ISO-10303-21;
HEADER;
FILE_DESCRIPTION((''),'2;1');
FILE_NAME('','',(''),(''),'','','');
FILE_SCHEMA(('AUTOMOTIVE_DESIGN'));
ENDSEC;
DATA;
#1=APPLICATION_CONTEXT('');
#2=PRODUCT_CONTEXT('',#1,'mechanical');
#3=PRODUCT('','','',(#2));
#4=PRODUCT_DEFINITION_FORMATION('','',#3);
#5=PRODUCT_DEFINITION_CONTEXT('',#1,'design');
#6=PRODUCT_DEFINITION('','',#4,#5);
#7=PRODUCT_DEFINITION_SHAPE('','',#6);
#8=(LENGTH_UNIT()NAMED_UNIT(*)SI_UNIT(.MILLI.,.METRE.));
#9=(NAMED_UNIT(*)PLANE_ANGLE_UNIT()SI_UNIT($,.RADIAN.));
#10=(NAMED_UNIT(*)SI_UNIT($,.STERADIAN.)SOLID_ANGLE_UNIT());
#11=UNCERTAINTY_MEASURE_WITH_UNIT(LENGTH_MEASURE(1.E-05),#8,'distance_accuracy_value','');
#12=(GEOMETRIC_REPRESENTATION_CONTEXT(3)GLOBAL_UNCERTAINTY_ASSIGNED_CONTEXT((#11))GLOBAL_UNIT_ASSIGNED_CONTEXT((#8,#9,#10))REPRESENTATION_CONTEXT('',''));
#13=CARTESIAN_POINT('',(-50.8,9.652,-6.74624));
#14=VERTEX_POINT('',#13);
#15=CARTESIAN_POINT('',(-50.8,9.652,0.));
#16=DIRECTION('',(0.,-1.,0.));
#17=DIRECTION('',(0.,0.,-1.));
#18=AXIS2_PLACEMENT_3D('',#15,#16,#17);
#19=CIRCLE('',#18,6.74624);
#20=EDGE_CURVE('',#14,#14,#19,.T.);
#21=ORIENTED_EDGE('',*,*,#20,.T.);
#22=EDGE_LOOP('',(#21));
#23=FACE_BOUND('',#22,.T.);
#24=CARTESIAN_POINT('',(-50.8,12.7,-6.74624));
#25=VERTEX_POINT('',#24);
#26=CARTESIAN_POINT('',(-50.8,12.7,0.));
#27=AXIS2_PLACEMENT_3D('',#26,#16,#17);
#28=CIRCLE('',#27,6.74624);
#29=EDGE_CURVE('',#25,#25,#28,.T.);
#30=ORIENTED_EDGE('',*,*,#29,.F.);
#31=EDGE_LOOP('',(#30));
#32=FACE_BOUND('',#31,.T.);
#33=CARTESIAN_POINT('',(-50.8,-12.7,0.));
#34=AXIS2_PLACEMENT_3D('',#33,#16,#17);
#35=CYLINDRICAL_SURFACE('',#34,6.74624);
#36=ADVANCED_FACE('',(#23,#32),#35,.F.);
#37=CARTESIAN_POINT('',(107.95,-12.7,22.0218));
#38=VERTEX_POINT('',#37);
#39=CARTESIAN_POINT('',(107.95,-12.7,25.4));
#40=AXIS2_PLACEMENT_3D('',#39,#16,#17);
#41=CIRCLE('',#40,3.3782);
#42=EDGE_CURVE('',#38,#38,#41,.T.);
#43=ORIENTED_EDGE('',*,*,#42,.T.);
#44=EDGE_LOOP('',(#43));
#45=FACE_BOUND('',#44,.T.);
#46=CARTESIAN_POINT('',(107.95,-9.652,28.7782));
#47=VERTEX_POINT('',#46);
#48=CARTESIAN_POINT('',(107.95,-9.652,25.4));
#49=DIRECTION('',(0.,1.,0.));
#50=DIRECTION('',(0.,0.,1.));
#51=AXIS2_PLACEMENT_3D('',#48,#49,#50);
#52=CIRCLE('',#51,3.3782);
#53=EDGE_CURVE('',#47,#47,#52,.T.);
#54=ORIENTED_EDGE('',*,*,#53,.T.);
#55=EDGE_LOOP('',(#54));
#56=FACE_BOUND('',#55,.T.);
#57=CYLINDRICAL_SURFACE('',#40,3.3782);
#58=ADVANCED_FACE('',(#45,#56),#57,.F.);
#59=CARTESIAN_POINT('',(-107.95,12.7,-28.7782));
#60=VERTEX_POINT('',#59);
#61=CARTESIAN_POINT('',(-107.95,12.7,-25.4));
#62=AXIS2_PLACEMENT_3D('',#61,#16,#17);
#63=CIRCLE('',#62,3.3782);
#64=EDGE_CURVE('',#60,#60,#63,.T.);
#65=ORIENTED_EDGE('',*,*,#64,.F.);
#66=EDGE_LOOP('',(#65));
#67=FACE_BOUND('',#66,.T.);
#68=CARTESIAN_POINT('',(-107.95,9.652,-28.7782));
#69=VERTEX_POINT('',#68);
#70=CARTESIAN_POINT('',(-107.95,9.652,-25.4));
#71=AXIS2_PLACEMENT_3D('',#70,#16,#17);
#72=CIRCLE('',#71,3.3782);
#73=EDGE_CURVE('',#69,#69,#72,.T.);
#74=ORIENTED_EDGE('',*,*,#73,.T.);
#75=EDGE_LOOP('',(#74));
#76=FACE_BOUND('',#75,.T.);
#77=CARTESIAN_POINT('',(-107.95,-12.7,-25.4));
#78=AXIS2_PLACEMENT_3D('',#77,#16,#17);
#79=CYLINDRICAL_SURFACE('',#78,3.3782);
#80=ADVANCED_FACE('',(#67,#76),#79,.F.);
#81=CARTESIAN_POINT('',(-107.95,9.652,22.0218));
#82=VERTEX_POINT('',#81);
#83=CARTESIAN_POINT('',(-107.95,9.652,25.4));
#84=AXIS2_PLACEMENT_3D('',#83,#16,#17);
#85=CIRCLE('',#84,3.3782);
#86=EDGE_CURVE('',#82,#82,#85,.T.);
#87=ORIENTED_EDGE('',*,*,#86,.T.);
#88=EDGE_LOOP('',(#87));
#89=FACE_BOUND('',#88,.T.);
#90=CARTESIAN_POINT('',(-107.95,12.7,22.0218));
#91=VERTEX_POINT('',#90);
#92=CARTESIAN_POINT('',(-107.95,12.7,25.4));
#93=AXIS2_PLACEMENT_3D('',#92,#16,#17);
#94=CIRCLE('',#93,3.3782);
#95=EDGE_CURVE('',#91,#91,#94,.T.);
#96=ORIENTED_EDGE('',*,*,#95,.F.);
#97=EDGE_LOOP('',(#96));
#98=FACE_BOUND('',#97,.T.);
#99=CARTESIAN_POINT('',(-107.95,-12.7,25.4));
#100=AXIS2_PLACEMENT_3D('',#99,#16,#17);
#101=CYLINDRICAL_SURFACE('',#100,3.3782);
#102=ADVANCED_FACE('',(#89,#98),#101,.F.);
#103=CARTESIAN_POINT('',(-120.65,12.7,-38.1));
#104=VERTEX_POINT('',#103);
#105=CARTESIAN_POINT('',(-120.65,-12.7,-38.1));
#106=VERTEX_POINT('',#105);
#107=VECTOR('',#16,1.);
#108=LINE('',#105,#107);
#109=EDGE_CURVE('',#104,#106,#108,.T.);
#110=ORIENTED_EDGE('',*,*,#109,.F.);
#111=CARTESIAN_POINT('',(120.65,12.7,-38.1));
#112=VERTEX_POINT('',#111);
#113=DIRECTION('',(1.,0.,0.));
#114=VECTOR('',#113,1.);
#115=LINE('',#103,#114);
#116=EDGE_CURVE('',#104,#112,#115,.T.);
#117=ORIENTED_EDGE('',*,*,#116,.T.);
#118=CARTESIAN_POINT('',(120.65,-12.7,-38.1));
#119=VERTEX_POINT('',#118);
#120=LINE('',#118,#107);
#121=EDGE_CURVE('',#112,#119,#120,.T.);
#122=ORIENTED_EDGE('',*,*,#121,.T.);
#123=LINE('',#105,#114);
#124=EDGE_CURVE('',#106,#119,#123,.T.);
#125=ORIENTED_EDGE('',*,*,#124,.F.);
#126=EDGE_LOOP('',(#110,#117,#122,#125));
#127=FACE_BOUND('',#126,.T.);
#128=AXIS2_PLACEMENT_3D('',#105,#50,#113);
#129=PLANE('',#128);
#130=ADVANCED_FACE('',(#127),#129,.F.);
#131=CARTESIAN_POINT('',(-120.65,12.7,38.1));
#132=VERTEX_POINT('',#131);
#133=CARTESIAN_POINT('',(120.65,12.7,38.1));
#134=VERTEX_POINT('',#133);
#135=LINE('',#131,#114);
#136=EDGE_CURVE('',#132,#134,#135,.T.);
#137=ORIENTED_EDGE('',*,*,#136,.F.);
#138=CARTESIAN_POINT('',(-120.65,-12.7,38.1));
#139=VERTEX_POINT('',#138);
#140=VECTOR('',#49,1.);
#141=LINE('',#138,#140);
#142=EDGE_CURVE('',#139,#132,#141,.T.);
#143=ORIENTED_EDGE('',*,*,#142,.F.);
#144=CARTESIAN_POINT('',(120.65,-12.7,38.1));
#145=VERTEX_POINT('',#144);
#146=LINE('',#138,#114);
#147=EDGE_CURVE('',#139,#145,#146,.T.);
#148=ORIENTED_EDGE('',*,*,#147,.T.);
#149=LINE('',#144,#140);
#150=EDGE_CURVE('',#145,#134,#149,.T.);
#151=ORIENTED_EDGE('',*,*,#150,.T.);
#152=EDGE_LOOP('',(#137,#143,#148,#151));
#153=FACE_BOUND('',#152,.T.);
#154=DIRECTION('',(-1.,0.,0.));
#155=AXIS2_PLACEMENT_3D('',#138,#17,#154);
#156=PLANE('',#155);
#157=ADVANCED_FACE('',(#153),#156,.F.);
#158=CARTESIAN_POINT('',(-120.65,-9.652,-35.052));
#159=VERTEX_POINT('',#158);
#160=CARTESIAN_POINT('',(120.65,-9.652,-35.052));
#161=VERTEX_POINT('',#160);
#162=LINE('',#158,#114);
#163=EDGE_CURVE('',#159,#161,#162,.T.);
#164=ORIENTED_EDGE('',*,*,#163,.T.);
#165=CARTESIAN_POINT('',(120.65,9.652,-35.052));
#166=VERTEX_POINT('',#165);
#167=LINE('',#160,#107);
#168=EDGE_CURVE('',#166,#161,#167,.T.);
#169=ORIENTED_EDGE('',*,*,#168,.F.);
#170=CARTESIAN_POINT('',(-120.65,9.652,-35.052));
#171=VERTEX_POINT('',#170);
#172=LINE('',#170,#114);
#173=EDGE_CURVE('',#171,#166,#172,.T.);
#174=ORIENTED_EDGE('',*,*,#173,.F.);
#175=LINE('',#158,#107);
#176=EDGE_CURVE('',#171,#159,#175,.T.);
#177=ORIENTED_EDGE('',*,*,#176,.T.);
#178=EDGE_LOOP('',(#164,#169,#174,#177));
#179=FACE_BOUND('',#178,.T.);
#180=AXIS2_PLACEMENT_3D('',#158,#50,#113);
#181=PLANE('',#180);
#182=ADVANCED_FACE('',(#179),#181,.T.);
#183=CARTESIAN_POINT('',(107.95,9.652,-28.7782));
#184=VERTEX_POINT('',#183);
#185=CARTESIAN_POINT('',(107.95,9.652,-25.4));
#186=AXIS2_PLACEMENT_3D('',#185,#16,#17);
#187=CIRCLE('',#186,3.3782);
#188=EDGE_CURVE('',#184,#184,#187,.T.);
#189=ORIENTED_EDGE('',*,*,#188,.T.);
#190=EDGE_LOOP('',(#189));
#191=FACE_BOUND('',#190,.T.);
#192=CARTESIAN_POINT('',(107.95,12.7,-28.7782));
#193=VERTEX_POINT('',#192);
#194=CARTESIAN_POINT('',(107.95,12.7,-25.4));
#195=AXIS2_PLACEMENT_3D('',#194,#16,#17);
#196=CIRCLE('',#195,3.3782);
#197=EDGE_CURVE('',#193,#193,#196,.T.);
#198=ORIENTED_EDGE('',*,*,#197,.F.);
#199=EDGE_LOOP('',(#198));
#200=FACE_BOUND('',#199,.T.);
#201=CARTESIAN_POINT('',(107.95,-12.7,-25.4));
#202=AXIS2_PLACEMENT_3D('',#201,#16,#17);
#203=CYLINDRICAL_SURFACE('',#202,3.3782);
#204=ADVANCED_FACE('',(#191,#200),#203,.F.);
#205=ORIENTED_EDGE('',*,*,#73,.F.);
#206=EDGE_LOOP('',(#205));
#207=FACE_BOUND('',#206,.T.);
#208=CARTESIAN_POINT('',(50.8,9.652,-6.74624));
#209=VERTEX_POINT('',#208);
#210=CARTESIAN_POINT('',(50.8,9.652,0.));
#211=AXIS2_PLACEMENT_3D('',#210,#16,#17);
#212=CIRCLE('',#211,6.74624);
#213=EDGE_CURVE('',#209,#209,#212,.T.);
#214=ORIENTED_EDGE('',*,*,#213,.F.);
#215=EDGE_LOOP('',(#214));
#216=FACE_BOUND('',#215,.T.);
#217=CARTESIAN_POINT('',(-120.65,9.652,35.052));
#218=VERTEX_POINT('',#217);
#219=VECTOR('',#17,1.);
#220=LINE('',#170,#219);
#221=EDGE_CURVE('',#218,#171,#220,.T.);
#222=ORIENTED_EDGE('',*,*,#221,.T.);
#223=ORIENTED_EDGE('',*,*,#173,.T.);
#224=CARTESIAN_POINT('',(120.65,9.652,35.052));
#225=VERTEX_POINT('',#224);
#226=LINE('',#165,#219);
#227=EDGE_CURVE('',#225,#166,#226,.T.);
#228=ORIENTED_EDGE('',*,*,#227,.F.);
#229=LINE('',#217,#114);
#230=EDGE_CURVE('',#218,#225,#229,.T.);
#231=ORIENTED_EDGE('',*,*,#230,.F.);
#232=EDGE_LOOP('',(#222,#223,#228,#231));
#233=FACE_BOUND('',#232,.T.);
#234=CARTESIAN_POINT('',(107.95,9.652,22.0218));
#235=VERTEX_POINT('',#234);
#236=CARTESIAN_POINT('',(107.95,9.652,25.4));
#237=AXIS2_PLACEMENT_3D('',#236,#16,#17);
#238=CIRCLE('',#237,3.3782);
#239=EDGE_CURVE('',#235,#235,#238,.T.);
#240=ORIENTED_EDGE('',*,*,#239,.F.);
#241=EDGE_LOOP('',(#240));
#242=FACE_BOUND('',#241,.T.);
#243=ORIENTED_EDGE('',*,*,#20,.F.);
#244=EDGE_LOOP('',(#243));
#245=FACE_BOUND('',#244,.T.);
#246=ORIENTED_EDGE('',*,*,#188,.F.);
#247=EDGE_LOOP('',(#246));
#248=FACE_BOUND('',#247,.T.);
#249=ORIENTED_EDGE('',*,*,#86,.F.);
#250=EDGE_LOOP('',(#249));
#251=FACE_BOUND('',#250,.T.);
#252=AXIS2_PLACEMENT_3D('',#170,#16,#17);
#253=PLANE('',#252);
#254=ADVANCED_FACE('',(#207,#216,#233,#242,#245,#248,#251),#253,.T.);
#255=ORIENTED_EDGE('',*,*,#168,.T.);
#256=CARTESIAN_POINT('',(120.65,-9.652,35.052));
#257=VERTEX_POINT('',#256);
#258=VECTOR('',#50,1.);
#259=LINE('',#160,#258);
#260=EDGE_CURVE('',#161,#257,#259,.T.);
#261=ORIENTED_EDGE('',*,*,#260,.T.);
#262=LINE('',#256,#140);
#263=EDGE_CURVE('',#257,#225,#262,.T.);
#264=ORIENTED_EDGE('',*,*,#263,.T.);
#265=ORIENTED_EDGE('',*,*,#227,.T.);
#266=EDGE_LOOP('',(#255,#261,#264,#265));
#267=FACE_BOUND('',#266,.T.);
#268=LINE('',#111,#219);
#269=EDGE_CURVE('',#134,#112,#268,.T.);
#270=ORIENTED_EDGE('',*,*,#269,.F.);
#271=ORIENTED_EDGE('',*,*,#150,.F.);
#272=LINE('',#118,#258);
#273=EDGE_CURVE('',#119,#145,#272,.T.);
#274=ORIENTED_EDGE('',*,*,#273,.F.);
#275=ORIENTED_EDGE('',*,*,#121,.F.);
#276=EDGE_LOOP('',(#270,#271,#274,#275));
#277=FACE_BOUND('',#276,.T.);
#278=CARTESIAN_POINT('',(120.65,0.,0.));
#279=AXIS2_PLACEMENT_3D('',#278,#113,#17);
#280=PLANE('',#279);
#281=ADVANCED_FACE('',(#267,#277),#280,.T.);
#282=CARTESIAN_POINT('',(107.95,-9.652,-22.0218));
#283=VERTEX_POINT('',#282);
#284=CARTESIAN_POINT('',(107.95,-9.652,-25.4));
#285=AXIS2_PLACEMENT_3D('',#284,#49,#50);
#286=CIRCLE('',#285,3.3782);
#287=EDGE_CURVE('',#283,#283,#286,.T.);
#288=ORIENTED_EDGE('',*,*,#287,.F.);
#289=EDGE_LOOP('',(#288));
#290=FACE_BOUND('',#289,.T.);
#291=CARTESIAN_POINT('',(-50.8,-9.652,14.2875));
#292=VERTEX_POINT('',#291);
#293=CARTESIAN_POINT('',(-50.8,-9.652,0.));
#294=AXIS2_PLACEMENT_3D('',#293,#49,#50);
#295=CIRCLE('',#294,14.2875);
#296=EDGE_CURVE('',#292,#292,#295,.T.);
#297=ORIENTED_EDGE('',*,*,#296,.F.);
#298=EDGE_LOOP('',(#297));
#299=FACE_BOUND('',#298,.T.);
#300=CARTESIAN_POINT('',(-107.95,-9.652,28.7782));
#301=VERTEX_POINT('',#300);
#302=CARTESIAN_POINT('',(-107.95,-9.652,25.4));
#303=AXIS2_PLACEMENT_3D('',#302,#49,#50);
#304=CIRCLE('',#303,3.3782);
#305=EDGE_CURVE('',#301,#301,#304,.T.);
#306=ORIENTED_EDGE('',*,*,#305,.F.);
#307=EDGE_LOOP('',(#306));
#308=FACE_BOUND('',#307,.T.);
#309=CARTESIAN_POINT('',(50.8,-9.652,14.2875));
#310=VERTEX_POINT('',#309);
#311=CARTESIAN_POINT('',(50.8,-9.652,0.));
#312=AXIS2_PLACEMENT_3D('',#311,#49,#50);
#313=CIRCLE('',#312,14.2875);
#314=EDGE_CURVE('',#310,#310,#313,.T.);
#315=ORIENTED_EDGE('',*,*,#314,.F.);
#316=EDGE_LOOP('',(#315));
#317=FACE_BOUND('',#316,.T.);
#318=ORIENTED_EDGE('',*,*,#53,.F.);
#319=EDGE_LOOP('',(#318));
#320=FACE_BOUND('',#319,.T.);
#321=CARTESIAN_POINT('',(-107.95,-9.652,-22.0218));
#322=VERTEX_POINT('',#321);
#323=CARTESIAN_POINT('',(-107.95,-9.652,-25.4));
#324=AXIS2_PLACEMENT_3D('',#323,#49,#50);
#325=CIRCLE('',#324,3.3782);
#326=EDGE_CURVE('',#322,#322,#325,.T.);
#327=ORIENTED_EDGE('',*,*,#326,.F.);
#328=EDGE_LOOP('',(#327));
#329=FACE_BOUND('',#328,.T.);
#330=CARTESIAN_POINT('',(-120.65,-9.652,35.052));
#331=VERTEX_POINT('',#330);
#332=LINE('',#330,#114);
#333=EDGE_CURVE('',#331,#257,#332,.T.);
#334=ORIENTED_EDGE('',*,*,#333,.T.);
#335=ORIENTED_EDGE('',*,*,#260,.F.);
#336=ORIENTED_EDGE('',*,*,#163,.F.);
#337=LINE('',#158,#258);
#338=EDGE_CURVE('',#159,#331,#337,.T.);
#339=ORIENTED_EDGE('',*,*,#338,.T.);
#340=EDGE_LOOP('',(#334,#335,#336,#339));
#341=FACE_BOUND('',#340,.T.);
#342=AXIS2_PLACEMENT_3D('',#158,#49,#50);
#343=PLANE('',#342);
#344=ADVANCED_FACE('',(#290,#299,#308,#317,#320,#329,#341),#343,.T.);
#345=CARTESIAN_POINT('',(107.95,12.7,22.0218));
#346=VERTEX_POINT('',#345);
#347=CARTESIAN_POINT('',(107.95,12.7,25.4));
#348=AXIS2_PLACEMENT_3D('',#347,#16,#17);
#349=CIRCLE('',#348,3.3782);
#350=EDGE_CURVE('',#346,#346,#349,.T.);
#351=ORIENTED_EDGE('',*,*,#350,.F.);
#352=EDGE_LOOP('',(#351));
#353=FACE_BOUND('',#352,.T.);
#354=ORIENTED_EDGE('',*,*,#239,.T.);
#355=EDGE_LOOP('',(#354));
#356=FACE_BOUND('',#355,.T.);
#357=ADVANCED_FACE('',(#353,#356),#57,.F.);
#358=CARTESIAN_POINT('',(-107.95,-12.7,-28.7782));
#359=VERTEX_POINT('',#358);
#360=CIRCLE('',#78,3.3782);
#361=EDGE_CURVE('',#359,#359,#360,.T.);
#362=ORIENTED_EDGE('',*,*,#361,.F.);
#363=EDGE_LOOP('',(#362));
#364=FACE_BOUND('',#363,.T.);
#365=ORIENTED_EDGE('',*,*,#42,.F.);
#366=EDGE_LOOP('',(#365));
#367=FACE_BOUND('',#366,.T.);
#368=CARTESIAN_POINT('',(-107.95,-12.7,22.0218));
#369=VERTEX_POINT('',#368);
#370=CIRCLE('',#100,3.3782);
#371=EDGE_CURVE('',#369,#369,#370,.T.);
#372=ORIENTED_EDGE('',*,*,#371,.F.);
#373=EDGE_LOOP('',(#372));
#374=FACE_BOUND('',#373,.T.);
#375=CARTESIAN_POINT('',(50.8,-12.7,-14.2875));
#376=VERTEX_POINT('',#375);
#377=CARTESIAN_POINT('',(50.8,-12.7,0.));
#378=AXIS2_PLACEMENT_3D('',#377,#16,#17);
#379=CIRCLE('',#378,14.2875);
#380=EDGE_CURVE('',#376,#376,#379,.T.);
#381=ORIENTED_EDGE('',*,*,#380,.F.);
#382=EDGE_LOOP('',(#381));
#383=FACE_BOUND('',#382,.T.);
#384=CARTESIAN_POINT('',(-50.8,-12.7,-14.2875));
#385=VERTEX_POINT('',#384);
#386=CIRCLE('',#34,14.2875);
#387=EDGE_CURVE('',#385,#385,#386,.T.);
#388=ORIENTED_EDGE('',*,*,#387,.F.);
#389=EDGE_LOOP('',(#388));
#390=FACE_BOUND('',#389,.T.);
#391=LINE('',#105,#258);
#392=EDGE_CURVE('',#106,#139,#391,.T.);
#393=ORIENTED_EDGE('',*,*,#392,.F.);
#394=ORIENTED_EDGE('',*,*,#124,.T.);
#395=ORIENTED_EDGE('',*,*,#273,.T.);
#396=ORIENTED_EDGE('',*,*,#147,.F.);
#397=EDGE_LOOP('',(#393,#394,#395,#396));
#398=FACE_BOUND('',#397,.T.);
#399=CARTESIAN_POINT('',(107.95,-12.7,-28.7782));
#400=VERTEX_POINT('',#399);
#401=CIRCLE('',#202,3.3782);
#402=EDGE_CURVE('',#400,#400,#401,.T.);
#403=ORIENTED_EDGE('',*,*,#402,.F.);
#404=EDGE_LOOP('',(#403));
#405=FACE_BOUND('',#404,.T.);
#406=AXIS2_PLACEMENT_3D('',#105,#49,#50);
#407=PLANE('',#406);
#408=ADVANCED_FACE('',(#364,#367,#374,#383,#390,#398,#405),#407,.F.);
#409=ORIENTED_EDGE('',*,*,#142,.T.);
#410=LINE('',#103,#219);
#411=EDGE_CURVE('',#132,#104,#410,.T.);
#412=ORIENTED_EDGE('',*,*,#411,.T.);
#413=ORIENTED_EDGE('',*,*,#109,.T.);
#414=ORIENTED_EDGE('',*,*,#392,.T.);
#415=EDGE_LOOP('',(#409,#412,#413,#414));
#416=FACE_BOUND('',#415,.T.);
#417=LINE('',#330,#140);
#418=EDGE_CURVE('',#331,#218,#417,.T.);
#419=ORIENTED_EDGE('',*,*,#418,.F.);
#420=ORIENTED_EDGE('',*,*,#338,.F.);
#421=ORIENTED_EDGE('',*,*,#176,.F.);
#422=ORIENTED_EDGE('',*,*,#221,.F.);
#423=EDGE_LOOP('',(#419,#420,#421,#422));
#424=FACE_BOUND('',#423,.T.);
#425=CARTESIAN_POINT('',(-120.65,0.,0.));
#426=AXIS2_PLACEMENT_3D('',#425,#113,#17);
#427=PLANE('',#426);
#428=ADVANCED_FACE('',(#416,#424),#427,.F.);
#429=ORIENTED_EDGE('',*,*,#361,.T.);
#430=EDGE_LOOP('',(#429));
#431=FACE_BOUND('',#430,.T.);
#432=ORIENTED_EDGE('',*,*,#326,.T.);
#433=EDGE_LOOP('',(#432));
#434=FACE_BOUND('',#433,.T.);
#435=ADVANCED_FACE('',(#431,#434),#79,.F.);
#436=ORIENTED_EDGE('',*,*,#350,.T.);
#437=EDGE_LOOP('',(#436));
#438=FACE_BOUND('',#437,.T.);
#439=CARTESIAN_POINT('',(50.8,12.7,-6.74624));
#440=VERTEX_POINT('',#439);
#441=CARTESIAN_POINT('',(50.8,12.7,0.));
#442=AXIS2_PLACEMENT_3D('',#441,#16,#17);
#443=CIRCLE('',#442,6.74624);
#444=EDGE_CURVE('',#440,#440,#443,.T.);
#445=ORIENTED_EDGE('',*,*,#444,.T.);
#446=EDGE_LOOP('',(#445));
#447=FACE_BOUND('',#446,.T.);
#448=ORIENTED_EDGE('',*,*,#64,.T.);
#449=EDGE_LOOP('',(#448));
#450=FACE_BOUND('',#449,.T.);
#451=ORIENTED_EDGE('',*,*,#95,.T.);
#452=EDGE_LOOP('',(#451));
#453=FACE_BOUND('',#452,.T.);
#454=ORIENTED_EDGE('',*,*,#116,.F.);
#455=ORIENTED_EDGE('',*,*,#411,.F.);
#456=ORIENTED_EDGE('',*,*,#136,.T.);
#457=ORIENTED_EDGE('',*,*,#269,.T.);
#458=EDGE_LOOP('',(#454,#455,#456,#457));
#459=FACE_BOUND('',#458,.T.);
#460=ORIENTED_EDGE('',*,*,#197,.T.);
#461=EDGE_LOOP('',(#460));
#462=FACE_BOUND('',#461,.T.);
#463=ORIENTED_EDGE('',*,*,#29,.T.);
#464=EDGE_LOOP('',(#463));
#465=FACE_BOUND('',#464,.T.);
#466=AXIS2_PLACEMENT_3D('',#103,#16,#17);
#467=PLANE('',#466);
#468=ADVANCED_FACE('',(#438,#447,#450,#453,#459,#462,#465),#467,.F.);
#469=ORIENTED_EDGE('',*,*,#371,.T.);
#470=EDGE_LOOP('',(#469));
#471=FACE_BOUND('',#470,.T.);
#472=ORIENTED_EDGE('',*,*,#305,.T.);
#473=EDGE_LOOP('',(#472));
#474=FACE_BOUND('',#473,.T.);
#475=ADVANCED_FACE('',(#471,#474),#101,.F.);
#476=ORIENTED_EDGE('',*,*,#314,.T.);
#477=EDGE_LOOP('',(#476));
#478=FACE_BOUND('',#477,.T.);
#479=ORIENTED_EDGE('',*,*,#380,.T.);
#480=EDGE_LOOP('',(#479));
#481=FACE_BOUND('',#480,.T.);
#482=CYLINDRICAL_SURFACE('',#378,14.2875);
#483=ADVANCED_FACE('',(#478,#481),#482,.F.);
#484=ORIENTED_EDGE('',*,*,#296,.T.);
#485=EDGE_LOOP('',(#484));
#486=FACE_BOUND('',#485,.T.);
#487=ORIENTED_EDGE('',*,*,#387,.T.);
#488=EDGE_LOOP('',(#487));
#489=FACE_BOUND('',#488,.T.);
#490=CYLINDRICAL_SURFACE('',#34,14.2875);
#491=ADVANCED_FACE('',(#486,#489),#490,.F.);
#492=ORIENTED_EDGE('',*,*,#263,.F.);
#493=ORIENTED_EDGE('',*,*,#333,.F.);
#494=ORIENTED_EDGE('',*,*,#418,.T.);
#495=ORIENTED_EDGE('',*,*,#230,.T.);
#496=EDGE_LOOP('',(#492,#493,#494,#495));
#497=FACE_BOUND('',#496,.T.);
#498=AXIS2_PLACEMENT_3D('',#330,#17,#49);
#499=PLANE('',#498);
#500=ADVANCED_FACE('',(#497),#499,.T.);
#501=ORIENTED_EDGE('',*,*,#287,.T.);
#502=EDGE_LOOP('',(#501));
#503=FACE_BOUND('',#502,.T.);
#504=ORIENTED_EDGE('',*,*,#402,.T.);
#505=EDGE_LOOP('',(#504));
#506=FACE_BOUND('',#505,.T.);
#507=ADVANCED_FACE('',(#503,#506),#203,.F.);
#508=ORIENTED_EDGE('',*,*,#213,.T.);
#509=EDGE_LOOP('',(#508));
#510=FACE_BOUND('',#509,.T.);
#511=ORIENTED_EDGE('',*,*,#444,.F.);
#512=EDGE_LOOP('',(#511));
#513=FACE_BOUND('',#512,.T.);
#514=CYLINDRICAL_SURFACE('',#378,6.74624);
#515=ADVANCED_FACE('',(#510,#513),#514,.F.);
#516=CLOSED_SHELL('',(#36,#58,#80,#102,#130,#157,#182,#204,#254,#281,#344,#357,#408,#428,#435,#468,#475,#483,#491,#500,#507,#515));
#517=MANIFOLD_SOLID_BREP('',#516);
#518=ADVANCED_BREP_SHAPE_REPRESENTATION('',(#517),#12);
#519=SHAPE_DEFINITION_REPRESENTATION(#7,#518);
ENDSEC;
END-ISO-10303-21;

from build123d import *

# Parameters (mm, degrees)
SKETCH11_W                               = 76.2
SKETCH11_H                               = 25.4
SKETCH11_W_2                             = 70.104
SKETCH11_H_2                             = 19.304
RECTANGULAR_TUBE_1_5_X_3_X_125_1_DEPTH   = 241.3
CBORE_FOR_1_2_HEX_HEAD_BOLT1_D           = 13.49248
CBORE_FOR_1_2_HEX_HEAD_BOLT1_CBORE_D     = 28.575
CBORE_FOR_1_2_HEX_HEAD_BOLT1_CBORE_DEPTH = 3.175
F_1_4_CLEARANCE_HOLE1_D                  = 6.7564


with BuildPart() as part:
    # Sketch11 → Rectangular tube 1.5 X 3 X .125(1) (new body)
    with BuildSketch(Plane.ZY.offset(-120.65)):
        Rectangle(SKETCH11_W, SKETCH11_H)
        Rectangle(SKETCH11_W_2, SKETCH11_H_2, mode=Mode.SUBTRACT)
    extrude(amount=RECTANGULAR_TUBE_1_5_X_3_X_125_1_DEPTH)

    # CBORE for 1/2 Hex Head Bolt1 (through all)
    with Locations(Plane(origin=(0, -12.7, 0), x_dir=(-1, 0, 0), z_dir=(0, -1, 0))):
        with Locations((50.8, 0), (-50.8, 0)):
            CounterBoreHole(CBORE_FOR_1_2_HEX_HEAD_BOLT1_D / 2, CBORE_FOR_1_2_HEX_HEAD_BOLT1_CBORE_D / 2, CBORE_FOR_1_2_HEX_HEAD_BOLT1_CBORE_DEPTH)

    # 1/4 Clearance Hole1 (through all)
    with Locations(Plane(origin=(0, -12.7, 0), x_dir=(-1, 0, 0), z_dir=(0, -1, 0))):
        with Locations((107.95, -25.4), (107.95, 25.4), (-107.95, 25.4), (-107.95, -25.4)):
            Hole(F_1_4_CLEARANCE_HOLE1_D / 2)


solid = part.part
